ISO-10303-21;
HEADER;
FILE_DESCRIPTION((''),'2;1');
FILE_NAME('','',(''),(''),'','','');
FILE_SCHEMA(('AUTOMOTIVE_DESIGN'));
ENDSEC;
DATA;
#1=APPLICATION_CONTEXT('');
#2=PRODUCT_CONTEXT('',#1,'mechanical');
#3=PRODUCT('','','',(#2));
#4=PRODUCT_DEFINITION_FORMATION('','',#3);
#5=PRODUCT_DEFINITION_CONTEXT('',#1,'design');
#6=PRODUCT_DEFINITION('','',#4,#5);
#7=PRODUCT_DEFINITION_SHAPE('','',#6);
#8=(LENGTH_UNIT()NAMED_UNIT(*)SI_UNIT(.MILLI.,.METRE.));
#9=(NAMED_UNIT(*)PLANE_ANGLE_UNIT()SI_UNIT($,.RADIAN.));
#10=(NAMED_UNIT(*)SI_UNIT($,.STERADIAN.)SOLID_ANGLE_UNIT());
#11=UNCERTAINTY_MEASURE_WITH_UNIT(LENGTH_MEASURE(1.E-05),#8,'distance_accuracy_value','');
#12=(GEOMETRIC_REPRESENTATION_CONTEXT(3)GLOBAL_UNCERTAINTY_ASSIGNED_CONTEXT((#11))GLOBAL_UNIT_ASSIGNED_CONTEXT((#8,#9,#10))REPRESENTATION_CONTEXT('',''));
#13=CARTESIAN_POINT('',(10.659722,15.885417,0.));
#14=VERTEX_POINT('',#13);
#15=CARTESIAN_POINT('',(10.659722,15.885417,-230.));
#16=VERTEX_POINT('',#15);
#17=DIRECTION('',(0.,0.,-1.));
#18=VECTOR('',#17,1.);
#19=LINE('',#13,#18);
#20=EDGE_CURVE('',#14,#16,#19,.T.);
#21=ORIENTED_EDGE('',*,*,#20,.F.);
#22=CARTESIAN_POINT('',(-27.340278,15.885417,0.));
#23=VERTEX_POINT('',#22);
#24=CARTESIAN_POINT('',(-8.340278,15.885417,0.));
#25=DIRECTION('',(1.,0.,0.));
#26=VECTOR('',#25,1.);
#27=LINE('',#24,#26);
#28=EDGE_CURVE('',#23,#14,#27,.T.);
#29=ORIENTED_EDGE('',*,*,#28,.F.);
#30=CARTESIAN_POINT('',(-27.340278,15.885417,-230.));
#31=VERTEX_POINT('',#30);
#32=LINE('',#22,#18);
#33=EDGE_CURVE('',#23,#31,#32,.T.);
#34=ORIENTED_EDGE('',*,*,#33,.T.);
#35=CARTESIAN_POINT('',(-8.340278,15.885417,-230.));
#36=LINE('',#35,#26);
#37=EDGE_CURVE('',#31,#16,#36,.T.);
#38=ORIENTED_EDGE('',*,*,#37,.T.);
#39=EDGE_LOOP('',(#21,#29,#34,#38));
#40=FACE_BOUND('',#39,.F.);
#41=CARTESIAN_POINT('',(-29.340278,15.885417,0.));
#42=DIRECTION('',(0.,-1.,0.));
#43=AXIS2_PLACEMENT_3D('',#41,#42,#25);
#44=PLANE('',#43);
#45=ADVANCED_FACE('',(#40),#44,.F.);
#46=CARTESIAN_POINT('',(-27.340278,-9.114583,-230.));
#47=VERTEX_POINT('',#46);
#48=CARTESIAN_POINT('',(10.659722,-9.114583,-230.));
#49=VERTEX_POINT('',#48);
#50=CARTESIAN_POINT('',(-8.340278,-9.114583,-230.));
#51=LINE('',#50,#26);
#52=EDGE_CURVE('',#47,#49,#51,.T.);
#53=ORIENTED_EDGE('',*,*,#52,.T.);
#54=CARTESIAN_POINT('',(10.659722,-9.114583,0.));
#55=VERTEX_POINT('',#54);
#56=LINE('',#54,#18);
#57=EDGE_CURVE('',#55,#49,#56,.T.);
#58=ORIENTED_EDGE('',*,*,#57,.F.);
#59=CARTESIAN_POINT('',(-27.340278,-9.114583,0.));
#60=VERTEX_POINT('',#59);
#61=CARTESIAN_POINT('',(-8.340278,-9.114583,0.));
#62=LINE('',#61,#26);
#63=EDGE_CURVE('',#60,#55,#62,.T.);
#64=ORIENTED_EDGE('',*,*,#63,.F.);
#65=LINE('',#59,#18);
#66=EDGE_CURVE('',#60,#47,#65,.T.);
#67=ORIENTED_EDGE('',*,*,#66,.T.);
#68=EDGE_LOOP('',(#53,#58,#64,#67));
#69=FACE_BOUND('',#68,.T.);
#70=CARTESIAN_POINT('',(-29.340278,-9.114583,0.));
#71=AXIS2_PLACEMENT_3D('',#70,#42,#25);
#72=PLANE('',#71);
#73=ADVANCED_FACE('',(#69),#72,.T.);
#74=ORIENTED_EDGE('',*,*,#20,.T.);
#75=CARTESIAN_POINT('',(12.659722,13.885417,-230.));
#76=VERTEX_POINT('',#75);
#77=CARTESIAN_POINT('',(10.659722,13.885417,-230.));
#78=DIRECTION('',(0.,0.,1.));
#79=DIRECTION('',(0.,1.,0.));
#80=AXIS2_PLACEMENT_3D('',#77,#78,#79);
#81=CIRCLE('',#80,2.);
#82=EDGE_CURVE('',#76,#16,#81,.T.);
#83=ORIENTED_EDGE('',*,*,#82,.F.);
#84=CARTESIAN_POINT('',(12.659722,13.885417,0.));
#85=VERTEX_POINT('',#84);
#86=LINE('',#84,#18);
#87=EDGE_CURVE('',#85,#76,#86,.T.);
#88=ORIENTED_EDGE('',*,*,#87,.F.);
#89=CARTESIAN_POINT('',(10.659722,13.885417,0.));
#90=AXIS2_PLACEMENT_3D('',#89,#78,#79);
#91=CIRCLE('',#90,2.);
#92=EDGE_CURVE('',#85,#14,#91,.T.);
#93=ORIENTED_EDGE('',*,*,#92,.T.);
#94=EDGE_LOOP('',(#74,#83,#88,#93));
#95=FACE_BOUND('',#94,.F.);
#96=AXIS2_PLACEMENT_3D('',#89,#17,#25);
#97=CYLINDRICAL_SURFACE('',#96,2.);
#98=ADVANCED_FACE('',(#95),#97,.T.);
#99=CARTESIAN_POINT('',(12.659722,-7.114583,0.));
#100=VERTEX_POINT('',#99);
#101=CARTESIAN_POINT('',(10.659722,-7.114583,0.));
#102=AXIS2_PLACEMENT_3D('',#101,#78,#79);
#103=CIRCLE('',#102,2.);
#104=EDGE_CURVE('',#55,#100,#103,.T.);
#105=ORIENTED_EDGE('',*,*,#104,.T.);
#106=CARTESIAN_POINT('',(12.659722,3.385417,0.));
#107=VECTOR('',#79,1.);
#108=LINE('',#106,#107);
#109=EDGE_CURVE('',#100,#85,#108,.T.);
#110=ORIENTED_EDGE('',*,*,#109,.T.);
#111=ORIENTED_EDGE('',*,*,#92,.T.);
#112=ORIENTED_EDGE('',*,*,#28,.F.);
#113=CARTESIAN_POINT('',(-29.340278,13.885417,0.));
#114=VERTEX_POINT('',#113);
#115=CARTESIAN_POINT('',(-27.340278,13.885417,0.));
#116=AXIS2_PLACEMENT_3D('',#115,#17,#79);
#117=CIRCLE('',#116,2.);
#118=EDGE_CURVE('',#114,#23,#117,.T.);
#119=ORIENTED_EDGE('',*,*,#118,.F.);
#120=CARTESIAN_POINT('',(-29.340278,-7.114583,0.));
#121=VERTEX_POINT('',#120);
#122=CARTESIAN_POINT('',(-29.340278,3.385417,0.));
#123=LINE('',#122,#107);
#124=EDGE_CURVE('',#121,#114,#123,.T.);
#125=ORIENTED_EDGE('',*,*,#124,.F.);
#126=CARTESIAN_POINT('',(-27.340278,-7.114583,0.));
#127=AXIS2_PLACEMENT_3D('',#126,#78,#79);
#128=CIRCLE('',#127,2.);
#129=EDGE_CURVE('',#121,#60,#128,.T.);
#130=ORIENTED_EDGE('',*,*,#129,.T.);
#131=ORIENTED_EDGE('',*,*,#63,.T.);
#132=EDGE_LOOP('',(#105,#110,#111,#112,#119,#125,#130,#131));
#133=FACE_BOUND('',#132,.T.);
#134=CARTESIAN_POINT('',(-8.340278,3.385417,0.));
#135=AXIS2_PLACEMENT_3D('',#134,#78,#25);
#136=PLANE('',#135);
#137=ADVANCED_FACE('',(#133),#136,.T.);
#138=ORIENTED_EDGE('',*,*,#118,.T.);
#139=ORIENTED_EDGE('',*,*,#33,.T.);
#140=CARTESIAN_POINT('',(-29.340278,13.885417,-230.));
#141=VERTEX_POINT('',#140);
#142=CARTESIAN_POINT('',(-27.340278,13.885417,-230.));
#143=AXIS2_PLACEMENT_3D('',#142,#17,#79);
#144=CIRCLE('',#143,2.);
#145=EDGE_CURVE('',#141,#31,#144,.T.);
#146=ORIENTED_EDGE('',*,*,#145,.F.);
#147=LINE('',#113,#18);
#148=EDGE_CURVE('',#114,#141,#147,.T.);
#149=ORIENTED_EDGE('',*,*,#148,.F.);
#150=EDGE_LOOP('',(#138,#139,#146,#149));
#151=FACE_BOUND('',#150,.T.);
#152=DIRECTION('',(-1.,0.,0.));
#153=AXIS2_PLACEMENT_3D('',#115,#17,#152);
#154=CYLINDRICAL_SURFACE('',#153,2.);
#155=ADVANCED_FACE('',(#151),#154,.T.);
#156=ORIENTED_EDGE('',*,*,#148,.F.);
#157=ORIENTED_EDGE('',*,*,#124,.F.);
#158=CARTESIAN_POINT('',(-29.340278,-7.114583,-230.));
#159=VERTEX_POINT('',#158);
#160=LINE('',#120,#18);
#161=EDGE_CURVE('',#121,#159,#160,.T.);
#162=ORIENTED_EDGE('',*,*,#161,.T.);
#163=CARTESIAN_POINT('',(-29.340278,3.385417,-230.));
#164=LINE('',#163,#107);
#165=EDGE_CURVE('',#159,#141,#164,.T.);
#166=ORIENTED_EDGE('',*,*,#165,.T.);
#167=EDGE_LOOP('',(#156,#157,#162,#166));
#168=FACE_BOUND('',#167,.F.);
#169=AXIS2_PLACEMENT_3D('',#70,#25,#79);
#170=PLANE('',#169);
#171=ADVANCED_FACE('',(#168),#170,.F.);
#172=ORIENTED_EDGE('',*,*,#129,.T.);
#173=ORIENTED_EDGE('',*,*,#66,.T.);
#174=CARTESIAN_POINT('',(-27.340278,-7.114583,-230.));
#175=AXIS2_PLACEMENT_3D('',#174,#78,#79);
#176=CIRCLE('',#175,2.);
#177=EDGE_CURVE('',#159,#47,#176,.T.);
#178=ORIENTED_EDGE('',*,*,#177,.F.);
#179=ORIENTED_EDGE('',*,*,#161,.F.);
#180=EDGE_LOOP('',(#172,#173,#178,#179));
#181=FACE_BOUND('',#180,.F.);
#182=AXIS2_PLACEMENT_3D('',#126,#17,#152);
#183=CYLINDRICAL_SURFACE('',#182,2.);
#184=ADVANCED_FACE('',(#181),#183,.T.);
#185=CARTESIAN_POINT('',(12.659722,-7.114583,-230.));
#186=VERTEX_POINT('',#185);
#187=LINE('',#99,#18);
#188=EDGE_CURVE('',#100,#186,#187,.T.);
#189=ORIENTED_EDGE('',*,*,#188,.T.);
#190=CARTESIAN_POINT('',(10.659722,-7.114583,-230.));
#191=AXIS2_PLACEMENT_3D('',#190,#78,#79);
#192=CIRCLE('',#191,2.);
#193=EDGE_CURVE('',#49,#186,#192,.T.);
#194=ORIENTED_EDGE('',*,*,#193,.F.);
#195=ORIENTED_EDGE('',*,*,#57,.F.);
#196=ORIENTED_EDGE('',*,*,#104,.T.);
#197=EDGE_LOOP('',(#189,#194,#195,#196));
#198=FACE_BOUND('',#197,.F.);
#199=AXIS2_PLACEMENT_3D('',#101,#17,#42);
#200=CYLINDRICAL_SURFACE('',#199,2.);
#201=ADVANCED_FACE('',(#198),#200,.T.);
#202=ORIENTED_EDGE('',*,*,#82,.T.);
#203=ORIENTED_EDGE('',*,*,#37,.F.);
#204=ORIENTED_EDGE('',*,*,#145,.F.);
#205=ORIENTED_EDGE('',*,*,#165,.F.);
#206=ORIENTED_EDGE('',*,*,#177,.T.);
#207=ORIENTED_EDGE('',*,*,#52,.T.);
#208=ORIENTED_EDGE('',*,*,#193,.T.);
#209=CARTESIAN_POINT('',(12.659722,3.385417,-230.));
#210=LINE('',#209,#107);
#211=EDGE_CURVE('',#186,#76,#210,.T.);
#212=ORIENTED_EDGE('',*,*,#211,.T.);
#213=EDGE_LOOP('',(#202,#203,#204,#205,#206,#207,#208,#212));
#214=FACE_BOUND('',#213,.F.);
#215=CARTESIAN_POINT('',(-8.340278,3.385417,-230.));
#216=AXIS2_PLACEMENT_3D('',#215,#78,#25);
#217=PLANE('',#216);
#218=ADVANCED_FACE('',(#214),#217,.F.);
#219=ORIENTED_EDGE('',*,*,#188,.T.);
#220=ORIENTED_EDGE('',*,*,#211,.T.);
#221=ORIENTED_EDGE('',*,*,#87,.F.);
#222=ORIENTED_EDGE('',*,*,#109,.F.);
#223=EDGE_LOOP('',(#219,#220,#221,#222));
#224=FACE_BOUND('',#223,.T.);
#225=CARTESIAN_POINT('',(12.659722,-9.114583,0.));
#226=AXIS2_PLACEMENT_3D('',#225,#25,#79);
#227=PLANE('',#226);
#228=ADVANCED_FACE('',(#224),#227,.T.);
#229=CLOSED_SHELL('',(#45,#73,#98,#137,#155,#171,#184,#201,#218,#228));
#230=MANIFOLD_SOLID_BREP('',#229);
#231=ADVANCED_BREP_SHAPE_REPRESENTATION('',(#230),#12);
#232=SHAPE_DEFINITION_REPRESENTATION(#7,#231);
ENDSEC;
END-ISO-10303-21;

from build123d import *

# Parameters (mm, degrees)
SKETCH1_W           = 42
SKETCH1_H           = 25
BOSS_EXTRUDE1_DEPTH = 230
FILLET1_R           = 2


with BuildPart() as part:
    # Sketch1 → Boss-Extrude1 (new body)
    with BuildSketch(Plane.XY):
        with Locations((-8.340277778, 3.385416667)):
            Rectangle(SKETCH1_W, SKETCH1_H)
    extrude(amount=-BOSS_EXTRUDE1_DEPTH)

    # Fillet1
    fillet1_edges = [part.edges().sort_by_distance(p)[0] for p in [
        (-29.340277778, 15.885416667, -115),
        (12.659722222, 15.885416667, -115),
        (12.659722222, -9.114583333, -115),
        (-29.340277778, -9.114583333, -115),
    ]]
    fillet(fillet1_edges, radius=FILLET1_R)


solid = part.part
